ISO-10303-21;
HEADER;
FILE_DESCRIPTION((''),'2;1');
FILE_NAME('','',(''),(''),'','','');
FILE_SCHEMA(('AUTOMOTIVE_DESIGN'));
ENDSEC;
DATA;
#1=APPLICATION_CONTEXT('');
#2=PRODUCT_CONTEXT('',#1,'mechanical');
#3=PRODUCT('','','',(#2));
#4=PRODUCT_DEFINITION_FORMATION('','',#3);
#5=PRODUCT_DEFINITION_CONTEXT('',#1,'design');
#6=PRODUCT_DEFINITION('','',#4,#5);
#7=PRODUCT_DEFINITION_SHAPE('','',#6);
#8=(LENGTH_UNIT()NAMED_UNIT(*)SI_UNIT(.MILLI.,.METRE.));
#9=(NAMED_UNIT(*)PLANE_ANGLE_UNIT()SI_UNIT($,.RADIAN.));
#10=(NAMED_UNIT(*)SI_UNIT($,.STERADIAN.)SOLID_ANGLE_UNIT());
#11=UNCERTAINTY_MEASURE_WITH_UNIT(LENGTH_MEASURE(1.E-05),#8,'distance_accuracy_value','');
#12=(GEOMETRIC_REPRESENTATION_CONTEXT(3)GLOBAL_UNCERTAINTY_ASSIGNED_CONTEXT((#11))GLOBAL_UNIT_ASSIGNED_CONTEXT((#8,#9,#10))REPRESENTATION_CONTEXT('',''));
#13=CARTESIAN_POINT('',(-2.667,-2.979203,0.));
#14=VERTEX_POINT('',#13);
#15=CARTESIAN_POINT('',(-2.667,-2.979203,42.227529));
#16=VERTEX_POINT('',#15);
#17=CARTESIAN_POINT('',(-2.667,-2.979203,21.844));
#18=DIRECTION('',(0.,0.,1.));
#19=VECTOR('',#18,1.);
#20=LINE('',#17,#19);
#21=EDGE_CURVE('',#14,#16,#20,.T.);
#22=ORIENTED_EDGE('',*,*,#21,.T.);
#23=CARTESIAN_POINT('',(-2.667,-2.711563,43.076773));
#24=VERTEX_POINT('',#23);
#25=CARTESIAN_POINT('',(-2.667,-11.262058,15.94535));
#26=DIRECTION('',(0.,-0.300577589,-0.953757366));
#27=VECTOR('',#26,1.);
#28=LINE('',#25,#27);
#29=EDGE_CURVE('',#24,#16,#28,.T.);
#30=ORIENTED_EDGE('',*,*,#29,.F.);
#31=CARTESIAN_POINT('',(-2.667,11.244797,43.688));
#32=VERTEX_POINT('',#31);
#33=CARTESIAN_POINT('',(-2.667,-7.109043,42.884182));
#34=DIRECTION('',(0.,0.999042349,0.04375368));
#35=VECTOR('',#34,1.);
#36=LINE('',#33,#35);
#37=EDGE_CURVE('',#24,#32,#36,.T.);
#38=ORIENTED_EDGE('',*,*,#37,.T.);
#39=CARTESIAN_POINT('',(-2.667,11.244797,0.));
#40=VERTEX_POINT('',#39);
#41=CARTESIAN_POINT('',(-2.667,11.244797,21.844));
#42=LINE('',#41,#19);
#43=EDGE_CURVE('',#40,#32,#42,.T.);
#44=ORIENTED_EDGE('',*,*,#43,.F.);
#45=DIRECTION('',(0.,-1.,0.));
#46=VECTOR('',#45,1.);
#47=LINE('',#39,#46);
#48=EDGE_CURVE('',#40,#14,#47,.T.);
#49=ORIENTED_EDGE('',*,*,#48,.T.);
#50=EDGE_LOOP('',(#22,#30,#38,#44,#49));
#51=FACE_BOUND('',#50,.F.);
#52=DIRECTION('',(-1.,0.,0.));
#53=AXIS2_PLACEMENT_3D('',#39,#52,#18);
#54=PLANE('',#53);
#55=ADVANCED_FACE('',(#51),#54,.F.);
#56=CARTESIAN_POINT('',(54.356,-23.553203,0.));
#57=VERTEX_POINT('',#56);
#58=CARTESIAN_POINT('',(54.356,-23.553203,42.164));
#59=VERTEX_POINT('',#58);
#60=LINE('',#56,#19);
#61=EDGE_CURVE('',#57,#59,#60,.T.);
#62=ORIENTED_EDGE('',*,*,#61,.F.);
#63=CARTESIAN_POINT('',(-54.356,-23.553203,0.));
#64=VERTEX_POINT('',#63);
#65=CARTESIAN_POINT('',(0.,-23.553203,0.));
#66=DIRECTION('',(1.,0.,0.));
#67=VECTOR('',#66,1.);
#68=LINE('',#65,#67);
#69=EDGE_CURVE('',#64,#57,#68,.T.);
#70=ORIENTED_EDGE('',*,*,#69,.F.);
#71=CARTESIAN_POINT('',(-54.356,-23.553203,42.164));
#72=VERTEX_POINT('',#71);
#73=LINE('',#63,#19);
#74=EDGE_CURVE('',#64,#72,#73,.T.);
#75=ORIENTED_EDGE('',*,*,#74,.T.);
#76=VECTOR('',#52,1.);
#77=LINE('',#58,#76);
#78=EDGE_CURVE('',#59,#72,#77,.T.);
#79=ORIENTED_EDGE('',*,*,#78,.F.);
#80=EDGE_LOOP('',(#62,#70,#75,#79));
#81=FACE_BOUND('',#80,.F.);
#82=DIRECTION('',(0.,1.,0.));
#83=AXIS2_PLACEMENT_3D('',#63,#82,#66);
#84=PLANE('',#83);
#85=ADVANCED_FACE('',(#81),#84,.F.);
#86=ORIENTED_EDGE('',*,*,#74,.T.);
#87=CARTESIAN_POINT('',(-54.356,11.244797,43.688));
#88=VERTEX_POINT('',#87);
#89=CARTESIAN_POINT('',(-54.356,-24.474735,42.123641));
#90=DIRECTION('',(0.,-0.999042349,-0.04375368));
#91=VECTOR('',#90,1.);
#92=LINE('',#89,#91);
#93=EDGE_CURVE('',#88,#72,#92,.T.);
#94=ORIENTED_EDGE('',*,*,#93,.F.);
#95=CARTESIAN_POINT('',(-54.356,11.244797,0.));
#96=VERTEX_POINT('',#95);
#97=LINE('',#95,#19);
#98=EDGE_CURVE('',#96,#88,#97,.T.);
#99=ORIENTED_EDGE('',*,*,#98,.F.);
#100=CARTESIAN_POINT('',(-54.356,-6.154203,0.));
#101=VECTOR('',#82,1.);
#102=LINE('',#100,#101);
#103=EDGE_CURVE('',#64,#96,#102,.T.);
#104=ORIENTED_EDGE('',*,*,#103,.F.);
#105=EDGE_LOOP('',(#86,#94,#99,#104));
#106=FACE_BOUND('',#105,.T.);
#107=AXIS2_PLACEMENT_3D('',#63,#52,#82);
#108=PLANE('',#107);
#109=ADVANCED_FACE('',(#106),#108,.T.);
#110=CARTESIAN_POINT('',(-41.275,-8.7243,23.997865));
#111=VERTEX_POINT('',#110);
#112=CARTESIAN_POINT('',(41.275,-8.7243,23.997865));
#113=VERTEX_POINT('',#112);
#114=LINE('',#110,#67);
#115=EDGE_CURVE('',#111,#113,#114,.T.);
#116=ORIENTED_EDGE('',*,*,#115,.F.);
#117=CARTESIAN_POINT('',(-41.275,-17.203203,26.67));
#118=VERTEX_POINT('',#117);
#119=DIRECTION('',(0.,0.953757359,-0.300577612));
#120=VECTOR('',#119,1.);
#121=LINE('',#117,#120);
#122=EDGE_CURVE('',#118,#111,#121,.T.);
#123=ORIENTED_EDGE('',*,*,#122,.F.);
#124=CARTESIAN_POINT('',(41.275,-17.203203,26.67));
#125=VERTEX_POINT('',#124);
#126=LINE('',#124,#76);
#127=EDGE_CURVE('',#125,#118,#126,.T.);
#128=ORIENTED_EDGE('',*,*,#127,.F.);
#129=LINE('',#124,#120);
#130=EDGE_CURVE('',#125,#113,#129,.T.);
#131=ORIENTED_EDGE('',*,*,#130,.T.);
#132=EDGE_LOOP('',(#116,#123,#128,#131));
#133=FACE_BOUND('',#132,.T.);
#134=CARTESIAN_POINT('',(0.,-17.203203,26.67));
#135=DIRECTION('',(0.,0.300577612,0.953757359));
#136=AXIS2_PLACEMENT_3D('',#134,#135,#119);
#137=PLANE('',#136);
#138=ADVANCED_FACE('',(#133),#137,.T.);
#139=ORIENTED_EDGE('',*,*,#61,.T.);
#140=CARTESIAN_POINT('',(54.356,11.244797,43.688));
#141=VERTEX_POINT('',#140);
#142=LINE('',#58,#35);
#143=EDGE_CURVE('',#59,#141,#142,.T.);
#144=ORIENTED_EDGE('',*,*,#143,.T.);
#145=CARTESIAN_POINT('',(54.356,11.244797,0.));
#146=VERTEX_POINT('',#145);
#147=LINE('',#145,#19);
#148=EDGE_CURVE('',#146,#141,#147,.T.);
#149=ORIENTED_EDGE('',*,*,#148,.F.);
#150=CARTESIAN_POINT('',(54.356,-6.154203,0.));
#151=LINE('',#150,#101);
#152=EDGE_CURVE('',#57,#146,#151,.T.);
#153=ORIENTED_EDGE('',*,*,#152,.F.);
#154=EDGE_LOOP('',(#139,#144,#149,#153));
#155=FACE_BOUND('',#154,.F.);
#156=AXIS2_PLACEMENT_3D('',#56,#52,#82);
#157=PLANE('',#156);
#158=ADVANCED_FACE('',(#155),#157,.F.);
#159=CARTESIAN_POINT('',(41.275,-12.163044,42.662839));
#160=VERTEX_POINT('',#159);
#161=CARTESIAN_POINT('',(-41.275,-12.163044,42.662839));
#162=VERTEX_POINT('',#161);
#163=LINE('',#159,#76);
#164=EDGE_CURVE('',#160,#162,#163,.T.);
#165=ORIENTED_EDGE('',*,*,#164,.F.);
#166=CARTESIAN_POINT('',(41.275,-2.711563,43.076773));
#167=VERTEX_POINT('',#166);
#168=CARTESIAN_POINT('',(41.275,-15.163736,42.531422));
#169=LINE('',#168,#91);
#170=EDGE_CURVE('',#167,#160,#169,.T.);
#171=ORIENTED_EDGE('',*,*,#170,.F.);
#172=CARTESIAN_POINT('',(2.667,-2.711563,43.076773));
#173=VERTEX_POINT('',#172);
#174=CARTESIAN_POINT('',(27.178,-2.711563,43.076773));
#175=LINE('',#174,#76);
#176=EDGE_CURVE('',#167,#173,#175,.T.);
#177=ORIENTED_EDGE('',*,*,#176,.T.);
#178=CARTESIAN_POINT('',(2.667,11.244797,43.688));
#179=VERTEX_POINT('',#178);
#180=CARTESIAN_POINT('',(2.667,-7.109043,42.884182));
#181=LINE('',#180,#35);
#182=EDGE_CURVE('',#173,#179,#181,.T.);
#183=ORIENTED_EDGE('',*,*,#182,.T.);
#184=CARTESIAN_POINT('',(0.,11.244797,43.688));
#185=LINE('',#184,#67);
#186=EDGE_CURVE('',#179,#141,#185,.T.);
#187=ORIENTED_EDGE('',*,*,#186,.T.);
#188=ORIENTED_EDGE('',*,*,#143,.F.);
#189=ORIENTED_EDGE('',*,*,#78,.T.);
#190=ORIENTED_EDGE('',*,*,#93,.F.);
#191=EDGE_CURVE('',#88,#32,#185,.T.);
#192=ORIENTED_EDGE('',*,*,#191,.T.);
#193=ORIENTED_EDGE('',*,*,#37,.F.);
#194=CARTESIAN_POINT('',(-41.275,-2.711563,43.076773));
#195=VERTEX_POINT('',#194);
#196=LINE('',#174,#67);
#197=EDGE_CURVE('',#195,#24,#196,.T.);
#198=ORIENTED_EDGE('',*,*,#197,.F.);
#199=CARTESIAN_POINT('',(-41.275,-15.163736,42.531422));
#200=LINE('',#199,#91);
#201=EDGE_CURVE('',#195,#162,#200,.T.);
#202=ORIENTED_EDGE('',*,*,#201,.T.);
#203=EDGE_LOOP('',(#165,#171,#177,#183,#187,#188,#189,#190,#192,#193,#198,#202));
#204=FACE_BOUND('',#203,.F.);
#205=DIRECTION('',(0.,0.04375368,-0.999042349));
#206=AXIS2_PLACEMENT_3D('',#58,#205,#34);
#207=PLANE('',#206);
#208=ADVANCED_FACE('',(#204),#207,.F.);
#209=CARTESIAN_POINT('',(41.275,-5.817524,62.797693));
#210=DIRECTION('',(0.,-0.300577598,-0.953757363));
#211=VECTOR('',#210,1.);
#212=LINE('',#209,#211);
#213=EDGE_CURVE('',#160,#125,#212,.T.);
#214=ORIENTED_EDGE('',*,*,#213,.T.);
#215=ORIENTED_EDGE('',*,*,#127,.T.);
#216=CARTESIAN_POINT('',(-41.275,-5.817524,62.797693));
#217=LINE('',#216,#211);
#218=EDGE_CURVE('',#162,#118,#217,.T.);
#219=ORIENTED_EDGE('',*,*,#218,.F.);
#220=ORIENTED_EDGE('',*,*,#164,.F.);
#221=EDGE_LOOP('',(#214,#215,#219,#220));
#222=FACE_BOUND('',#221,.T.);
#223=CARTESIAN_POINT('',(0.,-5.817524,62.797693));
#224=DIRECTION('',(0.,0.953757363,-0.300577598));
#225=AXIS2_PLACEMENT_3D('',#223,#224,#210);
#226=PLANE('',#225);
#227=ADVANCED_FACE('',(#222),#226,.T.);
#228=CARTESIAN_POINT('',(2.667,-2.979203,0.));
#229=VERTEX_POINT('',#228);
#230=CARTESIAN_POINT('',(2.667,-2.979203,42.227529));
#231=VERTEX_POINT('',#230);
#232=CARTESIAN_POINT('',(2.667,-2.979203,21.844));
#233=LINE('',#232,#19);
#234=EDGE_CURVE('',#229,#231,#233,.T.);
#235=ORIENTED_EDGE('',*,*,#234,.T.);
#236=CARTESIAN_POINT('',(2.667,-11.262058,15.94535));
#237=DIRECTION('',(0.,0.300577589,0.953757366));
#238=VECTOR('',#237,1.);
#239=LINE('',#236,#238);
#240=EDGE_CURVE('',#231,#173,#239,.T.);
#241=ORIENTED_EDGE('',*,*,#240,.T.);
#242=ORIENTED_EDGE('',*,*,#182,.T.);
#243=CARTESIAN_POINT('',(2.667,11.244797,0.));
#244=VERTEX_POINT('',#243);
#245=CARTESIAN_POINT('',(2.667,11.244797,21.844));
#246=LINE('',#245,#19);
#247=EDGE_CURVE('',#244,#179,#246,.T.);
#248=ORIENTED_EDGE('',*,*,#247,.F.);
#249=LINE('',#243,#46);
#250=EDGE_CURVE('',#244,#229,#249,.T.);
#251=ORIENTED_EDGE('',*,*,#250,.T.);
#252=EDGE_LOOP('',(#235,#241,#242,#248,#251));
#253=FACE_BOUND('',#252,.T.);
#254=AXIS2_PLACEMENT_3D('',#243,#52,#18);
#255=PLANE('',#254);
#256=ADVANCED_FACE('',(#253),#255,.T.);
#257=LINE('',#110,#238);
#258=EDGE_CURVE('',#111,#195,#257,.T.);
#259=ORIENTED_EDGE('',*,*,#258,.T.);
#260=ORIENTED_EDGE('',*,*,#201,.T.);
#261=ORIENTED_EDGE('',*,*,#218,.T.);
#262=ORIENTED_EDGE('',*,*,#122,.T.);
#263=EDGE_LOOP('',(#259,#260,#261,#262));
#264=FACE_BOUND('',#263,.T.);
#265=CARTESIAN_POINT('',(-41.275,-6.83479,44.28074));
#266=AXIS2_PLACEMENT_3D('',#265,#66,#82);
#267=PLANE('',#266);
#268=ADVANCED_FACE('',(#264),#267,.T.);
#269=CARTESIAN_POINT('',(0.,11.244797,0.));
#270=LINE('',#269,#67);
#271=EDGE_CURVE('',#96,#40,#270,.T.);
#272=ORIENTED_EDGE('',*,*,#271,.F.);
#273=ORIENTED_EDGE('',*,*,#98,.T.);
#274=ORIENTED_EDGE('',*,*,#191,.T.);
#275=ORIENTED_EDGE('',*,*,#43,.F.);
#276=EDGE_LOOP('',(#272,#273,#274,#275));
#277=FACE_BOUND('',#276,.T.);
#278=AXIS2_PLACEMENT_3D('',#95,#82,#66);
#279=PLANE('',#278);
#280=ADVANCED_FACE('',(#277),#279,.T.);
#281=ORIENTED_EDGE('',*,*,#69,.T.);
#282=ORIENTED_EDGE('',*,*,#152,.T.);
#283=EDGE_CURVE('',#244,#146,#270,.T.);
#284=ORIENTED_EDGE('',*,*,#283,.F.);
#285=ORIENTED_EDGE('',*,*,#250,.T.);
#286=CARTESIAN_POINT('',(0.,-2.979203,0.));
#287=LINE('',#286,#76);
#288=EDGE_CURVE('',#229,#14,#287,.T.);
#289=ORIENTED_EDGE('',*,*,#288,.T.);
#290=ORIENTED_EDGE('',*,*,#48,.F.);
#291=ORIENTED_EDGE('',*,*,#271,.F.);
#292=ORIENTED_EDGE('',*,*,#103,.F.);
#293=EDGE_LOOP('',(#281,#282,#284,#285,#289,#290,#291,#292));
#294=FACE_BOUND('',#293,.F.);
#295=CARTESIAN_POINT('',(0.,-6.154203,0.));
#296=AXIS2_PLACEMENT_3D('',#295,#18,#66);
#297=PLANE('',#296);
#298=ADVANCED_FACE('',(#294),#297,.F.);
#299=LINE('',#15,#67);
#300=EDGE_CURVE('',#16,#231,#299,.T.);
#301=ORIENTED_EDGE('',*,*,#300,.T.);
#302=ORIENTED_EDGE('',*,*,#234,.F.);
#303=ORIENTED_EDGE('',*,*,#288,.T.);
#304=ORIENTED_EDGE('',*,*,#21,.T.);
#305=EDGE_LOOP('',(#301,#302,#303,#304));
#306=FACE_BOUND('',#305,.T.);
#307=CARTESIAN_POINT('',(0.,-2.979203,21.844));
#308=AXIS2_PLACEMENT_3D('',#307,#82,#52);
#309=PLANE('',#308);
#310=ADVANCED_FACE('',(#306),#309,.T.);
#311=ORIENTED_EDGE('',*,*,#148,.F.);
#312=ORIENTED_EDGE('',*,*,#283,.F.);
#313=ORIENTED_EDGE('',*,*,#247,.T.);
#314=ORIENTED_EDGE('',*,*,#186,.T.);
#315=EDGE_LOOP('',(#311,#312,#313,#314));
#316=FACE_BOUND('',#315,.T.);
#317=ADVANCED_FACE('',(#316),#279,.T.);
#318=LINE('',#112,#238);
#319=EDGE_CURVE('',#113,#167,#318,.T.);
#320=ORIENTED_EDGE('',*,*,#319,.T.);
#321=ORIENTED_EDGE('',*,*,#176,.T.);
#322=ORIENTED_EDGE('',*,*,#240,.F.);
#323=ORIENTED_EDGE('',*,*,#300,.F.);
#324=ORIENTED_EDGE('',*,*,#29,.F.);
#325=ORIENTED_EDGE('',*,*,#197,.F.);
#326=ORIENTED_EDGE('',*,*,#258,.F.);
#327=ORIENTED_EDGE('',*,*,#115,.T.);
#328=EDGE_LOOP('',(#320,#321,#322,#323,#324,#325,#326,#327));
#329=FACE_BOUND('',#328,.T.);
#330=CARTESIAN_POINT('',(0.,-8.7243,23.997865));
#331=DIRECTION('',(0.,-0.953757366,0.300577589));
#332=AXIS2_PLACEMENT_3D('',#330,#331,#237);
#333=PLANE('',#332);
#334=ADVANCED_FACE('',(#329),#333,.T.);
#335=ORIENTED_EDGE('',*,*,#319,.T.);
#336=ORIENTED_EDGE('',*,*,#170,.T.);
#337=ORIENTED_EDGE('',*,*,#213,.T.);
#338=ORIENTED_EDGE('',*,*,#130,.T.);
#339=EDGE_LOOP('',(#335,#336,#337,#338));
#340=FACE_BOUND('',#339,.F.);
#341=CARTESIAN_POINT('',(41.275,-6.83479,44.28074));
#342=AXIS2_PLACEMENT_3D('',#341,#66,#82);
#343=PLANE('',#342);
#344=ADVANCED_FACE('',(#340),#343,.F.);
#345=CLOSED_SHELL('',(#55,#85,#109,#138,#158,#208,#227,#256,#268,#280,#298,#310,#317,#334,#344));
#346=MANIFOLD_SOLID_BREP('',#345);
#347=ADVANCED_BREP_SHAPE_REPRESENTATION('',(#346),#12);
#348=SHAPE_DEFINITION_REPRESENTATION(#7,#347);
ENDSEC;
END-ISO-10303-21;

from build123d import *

# Parameters (mm, degrees)
F0_W          = 108.712
F0_H          = 34.798
F1_DEPTH      = 43.688
F3_DEPTH      = 108.713
F4_W          = 5.334
F4_H          = 43.688
F5_DEPTH      = 14.224
F7_DEPTH      = 41.275
F7_DEPTH_BACK = 41.275


with BuildPart() as f1:
    # F0 (on Top) → F1 (new body)
    with BuildSketch(Plane.XY):
        with Locations((0, -6.154203)):
            Rectangle(F0_W, F0_H)
    extrude(amount=F1_DEPTH)

    # F2 (on face) → F3 (cut, through all)
    with BuildSketch(Plane.YZ.offset(54.356)):
        Polygon((-23.553203, 42.164), (11.244797, 43.688), (-23.553203, 43.688), align=None)
    extrude(amount=-F3_DEPTH, mode=Mode.SUBTRACT)

    # F4 (on face) → F5 (cut)
    with BuildSketch(Plane(origin=(0, 11.244797, 0), x_dir=(-1, 0, 0), z_dir=(0, 1, 0))):
        with Locations((0, 21.844)):
            Rectangle(F4_W, F4_H)
    extrude(amount=-F5_DEPTH, mode=Mode.SUBTRACT)

    # F6 (on Right) → F7 (cut, two sides)
    with BuildSketch(Plane.YZ) as f7_sk:
        Polygon((-8.7243, 23.997865), (3.653318, 63.273063), (-5.817524, 62.797693), (-17.203203, 26.67), align=None)
    extrude(amount=F7_DEPTH, mode=Mode.SUBTRACT)
    extrude(f7_sk.sketch, amount=-F7_DEPTH_BACK, mode=Mode.SUBTRACT)


solid = f1.part
